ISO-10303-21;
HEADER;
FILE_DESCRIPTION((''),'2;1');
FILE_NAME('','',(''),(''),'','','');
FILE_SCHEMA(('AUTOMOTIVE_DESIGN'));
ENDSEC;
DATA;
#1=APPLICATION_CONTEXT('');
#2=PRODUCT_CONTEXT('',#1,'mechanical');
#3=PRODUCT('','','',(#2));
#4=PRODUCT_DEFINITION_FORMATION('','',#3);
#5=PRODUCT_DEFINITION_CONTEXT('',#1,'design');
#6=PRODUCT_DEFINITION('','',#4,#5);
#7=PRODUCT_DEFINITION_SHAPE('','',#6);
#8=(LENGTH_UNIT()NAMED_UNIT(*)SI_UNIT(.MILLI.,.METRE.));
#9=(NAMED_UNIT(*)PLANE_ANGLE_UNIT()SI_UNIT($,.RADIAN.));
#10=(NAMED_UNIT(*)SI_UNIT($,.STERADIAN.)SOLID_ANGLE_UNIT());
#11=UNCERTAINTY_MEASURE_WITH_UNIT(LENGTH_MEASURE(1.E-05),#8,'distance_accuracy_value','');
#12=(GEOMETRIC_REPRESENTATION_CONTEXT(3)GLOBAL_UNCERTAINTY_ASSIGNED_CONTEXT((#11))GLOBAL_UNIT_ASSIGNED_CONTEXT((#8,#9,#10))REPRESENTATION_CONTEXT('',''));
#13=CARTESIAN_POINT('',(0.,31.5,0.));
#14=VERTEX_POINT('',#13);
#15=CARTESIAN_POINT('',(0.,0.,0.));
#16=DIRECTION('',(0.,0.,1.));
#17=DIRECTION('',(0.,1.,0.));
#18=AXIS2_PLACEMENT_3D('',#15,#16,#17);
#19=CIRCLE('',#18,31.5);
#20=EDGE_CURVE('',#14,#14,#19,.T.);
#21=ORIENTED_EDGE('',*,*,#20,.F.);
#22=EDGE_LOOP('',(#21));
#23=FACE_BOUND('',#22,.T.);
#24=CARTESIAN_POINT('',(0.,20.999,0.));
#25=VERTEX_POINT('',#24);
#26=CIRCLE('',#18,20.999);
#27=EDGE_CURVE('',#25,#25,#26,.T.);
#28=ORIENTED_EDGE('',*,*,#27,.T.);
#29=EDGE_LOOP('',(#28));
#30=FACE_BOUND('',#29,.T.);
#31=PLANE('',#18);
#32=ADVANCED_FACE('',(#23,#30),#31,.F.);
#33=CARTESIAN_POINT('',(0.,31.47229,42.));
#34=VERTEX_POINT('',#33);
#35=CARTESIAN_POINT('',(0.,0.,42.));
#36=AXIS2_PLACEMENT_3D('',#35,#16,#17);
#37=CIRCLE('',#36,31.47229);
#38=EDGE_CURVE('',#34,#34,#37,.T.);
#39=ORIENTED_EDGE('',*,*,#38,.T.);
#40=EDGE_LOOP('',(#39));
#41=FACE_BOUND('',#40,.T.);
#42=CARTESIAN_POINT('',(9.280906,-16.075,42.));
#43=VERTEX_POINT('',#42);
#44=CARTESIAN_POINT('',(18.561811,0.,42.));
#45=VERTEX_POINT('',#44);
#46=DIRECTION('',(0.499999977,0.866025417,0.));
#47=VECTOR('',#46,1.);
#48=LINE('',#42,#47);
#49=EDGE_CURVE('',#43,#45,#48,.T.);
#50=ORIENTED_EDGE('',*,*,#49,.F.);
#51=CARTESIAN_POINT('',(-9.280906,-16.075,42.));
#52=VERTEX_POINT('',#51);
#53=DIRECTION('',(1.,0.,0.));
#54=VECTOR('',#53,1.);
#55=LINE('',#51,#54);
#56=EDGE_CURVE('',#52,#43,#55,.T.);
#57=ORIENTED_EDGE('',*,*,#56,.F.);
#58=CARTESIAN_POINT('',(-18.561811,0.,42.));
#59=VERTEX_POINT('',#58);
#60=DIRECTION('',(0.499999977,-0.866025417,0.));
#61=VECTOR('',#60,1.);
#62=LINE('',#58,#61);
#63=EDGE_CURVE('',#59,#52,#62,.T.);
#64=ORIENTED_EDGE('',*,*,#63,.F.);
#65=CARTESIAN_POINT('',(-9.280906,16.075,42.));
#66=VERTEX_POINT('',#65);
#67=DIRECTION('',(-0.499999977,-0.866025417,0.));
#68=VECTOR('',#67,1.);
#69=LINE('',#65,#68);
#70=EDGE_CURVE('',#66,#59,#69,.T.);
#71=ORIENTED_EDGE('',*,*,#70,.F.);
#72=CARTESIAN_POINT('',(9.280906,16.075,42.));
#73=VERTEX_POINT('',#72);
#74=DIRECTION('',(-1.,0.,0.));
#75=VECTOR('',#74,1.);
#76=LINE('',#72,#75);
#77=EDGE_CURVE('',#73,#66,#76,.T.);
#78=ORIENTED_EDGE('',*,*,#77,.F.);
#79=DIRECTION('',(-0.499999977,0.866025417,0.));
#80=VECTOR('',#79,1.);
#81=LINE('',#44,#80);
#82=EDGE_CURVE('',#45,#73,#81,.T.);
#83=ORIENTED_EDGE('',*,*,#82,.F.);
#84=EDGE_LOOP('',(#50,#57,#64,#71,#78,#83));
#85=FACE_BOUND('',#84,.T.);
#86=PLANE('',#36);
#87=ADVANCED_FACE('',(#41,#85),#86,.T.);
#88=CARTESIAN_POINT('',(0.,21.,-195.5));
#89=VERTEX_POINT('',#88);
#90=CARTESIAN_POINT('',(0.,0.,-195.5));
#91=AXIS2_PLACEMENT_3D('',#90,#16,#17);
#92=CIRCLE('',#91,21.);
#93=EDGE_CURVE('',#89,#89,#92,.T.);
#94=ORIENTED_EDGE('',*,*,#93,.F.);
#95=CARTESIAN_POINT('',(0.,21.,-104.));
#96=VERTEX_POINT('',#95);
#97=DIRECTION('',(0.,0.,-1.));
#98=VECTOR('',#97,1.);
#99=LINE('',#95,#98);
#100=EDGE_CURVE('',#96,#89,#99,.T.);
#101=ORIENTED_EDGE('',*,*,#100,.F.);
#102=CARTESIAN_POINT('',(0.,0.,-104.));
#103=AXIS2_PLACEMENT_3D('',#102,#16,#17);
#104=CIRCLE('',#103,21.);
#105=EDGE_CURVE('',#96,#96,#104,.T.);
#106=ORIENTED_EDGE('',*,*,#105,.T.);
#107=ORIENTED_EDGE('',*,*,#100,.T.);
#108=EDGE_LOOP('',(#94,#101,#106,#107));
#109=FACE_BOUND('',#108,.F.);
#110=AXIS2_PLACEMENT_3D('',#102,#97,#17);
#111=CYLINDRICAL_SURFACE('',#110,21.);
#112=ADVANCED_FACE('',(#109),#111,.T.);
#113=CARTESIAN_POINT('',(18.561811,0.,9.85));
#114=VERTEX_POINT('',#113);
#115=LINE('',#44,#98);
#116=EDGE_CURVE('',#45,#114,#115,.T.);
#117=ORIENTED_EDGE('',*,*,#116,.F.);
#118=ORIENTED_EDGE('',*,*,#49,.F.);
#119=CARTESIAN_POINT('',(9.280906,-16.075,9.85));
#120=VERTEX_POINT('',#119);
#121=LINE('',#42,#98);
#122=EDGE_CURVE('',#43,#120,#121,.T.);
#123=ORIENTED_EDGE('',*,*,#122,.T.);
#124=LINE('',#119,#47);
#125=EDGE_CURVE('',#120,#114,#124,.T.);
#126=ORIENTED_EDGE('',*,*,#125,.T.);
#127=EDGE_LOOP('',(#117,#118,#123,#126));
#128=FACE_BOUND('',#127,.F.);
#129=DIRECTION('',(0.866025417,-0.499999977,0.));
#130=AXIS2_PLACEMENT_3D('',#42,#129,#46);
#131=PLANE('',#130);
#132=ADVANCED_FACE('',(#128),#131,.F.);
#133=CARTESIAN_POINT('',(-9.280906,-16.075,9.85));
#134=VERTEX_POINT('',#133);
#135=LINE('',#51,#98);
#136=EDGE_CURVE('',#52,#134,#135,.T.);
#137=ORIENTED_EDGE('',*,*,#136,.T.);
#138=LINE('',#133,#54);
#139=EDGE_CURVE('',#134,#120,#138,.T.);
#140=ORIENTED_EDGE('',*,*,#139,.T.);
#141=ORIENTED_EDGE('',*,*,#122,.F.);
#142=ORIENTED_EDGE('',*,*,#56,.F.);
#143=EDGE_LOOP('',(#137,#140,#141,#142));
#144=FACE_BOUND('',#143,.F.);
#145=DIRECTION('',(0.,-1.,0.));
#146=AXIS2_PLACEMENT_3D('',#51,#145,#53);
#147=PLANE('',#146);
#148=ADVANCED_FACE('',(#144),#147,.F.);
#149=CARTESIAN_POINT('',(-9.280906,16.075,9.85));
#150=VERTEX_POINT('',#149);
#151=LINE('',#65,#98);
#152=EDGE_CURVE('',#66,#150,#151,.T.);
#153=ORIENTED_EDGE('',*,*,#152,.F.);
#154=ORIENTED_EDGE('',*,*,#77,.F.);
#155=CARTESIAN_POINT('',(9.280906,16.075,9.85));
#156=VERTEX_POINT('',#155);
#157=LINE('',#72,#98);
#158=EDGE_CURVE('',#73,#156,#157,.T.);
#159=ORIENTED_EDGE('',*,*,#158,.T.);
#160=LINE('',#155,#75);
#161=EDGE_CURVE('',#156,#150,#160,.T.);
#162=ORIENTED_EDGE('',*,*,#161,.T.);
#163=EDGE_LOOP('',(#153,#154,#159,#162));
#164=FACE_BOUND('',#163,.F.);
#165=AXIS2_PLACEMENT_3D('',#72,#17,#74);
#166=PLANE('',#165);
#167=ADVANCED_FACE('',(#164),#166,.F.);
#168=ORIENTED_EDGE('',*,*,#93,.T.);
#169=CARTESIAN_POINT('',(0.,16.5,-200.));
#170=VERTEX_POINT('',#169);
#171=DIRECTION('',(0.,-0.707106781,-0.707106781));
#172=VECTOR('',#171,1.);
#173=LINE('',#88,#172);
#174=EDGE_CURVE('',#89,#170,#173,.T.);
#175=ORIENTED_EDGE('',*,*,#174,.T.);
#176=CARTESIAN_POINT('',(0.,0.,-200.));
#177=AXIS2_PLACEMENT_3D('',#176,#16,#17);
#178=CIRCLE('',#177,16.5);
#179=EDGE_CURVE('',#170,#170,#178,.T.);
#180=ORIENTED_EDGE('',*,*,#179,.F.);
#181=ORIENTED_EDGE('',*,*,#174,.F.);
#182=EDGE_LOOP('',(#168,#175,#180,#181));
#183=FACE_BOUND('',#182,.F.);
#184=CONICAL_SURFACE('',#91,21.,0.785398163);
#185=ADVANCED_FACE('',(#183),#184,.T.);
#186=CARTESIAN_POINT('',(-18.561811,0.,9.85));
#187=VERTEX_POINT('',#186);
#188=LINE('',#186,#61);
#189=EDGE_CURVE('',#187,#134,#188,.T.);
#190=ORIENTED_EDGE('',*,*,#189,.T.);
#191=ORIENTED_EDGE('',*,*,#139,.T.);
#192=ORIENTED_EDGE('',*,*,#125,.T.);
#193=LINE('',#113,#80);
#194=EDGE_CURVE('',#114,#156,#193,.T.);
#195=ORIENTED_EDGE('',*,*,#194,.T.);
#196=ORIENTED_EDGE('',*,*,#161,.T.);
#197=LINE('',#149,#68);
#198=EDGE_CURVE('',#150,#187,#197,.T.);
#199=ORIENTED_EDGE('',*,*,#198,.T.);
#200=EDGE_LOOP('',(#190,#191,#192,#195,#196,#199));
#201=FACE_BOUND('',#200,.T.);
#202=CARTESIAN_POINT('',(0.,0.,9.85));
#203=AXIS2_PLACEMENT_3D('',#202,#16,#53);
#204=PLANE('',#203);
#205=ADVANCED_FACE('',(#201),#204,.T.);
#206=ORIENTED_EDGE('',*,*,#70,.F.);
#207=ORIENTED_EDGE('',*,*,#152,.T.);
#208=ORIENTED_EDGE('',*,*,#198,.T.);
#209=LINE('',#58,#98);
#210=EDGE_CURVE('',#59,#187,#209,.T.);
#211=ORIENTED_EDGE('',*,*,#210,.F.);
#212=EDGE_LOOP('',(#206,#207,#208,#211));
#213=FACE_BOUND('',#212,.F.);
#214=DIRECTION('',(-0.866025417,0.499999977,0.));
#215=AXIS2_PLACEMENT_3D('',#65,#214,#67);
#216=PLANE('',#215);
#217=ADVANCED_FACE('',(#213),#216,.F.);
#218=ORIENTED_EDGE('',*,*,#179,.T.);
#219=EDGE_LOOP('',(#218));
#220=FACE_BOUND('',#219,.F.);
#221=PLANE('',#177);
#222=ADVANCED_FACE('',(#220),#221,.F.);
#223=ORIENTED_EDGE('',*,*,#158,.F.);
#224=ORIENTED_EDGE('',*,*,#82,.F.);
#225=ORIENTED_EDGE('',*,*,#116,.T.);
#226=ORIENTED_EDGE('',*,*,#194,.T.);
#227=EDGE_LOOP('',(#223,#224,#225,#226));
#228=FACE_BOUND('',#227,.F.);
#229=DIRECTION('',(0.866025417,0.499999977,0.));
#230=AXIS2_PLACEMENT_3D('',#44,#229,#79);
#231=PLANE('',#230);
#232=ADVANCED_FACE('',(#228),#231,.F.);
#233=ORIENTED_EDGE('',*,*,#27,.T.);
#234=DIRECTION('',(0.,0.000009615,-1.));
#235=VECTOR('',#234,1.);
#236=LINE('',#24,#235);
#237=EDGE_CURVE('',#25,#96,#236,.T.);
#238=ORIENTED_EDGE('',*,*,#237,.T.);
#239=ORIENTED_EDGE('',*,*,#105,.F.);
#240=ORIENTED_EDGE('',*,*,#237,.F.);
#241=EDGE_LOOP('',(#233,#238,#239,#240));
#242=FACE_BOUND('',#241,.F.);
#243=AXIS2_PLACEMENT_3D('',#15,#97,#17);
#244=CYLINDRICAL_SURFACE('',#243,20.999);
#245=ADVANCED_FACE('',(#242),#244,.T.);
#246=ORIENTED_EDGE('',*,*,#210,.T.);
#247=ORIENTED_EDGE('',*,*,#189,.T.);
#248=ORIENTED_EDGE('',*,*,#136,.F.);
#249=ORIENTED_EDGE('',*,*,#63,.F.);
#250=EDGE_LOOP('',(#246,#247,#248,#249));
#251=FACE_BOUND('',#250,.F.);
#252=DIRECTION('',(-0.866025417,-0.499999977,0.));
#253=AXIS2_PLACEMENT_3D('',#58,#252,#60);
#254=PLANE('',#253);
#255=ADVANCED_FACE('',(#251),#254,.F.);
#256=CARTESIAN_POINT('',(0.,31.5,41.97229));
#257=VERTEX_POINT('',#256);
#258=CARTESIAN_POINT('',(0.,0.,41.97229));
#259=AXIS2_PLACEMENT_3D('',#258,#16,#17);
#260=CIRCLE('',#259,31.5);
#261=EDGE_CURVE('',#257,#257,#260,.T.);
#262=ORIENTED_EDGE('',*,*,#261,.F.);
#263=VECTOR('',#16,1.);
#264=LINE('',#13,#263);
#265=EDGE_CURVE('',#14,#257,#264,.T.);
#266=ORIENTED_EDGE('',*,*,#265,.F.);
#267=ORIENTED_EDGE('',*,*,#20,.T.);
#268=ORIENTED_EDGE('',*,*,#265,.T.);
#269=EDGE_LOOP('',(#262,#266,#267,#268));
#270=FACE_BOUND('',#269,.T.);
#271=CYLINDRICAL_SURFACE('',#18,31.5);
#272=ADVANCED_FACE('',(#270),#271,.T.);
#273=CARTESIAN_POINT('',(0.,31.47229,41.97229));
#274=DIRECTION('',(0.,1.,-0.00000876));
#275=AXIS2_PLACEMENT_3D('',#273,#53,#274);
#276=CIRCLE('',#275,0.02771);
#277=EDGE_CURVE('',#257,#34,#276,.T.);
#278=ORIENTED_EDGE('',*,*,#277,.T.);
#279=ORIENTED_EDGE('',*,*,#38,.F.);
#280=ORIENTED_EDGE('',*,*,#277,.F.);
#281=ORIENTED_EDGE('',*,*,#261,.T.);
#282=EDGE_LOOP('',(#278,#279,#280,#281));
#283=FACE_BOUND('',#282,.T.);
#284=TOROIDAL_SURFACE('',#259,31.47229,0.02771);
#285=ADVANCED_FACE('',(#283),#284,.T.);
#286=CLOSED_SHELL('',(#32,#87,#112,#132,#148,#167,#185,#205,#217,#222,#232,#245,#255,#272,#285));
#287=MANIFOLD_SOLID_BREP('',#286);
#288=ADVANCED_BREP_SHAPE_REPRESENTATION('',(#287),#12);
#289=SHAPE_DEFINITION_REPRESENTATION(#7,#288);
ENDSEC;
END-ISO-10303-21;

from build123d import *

# Parameters (mm, degrees)
POCKET_DEPTH = 32.15


with BuildPart() as part:
    # Sketch → Revolve (revolve)
    with BuildSketch(Plane.YZ):
        with BuildLine():
            Line((20.999, 0), (31.5, 0))
            Line((31.5, 0), (31.5, 41.97229))
            ThreePointArc((31.5, 41.97229), (31.491884, 41.991884), (31.47229, 42))
            Line((31.47229, 42), (0, 42))
            Line((0, -200), (0, 42))
            Line((16.5, -200), (0, -200))
            Line((21, -195.5), (16.5, -200))
            Line((21, -104), (21, -195.5))
            Line((20.999, 0), (21, -104))
        make_face()
    revolve(axis=Axis((0, 0, 0), (0, 0, 1)))

    # Sketch001 → Pocket (cut)
    with BuildSketch(Plane.XY.offset(42)):
        Polygon((18.561811, 0), (9.280906, 16.075), (-9.280906, 16.075), (-18.561811, 0), (-9.280906, -16.075), (9.280906, -16.075), align=None)
    extrude(amount=-POCKET_DEPTH, mode=Mode.SUBTRACT)


solid = part.part
